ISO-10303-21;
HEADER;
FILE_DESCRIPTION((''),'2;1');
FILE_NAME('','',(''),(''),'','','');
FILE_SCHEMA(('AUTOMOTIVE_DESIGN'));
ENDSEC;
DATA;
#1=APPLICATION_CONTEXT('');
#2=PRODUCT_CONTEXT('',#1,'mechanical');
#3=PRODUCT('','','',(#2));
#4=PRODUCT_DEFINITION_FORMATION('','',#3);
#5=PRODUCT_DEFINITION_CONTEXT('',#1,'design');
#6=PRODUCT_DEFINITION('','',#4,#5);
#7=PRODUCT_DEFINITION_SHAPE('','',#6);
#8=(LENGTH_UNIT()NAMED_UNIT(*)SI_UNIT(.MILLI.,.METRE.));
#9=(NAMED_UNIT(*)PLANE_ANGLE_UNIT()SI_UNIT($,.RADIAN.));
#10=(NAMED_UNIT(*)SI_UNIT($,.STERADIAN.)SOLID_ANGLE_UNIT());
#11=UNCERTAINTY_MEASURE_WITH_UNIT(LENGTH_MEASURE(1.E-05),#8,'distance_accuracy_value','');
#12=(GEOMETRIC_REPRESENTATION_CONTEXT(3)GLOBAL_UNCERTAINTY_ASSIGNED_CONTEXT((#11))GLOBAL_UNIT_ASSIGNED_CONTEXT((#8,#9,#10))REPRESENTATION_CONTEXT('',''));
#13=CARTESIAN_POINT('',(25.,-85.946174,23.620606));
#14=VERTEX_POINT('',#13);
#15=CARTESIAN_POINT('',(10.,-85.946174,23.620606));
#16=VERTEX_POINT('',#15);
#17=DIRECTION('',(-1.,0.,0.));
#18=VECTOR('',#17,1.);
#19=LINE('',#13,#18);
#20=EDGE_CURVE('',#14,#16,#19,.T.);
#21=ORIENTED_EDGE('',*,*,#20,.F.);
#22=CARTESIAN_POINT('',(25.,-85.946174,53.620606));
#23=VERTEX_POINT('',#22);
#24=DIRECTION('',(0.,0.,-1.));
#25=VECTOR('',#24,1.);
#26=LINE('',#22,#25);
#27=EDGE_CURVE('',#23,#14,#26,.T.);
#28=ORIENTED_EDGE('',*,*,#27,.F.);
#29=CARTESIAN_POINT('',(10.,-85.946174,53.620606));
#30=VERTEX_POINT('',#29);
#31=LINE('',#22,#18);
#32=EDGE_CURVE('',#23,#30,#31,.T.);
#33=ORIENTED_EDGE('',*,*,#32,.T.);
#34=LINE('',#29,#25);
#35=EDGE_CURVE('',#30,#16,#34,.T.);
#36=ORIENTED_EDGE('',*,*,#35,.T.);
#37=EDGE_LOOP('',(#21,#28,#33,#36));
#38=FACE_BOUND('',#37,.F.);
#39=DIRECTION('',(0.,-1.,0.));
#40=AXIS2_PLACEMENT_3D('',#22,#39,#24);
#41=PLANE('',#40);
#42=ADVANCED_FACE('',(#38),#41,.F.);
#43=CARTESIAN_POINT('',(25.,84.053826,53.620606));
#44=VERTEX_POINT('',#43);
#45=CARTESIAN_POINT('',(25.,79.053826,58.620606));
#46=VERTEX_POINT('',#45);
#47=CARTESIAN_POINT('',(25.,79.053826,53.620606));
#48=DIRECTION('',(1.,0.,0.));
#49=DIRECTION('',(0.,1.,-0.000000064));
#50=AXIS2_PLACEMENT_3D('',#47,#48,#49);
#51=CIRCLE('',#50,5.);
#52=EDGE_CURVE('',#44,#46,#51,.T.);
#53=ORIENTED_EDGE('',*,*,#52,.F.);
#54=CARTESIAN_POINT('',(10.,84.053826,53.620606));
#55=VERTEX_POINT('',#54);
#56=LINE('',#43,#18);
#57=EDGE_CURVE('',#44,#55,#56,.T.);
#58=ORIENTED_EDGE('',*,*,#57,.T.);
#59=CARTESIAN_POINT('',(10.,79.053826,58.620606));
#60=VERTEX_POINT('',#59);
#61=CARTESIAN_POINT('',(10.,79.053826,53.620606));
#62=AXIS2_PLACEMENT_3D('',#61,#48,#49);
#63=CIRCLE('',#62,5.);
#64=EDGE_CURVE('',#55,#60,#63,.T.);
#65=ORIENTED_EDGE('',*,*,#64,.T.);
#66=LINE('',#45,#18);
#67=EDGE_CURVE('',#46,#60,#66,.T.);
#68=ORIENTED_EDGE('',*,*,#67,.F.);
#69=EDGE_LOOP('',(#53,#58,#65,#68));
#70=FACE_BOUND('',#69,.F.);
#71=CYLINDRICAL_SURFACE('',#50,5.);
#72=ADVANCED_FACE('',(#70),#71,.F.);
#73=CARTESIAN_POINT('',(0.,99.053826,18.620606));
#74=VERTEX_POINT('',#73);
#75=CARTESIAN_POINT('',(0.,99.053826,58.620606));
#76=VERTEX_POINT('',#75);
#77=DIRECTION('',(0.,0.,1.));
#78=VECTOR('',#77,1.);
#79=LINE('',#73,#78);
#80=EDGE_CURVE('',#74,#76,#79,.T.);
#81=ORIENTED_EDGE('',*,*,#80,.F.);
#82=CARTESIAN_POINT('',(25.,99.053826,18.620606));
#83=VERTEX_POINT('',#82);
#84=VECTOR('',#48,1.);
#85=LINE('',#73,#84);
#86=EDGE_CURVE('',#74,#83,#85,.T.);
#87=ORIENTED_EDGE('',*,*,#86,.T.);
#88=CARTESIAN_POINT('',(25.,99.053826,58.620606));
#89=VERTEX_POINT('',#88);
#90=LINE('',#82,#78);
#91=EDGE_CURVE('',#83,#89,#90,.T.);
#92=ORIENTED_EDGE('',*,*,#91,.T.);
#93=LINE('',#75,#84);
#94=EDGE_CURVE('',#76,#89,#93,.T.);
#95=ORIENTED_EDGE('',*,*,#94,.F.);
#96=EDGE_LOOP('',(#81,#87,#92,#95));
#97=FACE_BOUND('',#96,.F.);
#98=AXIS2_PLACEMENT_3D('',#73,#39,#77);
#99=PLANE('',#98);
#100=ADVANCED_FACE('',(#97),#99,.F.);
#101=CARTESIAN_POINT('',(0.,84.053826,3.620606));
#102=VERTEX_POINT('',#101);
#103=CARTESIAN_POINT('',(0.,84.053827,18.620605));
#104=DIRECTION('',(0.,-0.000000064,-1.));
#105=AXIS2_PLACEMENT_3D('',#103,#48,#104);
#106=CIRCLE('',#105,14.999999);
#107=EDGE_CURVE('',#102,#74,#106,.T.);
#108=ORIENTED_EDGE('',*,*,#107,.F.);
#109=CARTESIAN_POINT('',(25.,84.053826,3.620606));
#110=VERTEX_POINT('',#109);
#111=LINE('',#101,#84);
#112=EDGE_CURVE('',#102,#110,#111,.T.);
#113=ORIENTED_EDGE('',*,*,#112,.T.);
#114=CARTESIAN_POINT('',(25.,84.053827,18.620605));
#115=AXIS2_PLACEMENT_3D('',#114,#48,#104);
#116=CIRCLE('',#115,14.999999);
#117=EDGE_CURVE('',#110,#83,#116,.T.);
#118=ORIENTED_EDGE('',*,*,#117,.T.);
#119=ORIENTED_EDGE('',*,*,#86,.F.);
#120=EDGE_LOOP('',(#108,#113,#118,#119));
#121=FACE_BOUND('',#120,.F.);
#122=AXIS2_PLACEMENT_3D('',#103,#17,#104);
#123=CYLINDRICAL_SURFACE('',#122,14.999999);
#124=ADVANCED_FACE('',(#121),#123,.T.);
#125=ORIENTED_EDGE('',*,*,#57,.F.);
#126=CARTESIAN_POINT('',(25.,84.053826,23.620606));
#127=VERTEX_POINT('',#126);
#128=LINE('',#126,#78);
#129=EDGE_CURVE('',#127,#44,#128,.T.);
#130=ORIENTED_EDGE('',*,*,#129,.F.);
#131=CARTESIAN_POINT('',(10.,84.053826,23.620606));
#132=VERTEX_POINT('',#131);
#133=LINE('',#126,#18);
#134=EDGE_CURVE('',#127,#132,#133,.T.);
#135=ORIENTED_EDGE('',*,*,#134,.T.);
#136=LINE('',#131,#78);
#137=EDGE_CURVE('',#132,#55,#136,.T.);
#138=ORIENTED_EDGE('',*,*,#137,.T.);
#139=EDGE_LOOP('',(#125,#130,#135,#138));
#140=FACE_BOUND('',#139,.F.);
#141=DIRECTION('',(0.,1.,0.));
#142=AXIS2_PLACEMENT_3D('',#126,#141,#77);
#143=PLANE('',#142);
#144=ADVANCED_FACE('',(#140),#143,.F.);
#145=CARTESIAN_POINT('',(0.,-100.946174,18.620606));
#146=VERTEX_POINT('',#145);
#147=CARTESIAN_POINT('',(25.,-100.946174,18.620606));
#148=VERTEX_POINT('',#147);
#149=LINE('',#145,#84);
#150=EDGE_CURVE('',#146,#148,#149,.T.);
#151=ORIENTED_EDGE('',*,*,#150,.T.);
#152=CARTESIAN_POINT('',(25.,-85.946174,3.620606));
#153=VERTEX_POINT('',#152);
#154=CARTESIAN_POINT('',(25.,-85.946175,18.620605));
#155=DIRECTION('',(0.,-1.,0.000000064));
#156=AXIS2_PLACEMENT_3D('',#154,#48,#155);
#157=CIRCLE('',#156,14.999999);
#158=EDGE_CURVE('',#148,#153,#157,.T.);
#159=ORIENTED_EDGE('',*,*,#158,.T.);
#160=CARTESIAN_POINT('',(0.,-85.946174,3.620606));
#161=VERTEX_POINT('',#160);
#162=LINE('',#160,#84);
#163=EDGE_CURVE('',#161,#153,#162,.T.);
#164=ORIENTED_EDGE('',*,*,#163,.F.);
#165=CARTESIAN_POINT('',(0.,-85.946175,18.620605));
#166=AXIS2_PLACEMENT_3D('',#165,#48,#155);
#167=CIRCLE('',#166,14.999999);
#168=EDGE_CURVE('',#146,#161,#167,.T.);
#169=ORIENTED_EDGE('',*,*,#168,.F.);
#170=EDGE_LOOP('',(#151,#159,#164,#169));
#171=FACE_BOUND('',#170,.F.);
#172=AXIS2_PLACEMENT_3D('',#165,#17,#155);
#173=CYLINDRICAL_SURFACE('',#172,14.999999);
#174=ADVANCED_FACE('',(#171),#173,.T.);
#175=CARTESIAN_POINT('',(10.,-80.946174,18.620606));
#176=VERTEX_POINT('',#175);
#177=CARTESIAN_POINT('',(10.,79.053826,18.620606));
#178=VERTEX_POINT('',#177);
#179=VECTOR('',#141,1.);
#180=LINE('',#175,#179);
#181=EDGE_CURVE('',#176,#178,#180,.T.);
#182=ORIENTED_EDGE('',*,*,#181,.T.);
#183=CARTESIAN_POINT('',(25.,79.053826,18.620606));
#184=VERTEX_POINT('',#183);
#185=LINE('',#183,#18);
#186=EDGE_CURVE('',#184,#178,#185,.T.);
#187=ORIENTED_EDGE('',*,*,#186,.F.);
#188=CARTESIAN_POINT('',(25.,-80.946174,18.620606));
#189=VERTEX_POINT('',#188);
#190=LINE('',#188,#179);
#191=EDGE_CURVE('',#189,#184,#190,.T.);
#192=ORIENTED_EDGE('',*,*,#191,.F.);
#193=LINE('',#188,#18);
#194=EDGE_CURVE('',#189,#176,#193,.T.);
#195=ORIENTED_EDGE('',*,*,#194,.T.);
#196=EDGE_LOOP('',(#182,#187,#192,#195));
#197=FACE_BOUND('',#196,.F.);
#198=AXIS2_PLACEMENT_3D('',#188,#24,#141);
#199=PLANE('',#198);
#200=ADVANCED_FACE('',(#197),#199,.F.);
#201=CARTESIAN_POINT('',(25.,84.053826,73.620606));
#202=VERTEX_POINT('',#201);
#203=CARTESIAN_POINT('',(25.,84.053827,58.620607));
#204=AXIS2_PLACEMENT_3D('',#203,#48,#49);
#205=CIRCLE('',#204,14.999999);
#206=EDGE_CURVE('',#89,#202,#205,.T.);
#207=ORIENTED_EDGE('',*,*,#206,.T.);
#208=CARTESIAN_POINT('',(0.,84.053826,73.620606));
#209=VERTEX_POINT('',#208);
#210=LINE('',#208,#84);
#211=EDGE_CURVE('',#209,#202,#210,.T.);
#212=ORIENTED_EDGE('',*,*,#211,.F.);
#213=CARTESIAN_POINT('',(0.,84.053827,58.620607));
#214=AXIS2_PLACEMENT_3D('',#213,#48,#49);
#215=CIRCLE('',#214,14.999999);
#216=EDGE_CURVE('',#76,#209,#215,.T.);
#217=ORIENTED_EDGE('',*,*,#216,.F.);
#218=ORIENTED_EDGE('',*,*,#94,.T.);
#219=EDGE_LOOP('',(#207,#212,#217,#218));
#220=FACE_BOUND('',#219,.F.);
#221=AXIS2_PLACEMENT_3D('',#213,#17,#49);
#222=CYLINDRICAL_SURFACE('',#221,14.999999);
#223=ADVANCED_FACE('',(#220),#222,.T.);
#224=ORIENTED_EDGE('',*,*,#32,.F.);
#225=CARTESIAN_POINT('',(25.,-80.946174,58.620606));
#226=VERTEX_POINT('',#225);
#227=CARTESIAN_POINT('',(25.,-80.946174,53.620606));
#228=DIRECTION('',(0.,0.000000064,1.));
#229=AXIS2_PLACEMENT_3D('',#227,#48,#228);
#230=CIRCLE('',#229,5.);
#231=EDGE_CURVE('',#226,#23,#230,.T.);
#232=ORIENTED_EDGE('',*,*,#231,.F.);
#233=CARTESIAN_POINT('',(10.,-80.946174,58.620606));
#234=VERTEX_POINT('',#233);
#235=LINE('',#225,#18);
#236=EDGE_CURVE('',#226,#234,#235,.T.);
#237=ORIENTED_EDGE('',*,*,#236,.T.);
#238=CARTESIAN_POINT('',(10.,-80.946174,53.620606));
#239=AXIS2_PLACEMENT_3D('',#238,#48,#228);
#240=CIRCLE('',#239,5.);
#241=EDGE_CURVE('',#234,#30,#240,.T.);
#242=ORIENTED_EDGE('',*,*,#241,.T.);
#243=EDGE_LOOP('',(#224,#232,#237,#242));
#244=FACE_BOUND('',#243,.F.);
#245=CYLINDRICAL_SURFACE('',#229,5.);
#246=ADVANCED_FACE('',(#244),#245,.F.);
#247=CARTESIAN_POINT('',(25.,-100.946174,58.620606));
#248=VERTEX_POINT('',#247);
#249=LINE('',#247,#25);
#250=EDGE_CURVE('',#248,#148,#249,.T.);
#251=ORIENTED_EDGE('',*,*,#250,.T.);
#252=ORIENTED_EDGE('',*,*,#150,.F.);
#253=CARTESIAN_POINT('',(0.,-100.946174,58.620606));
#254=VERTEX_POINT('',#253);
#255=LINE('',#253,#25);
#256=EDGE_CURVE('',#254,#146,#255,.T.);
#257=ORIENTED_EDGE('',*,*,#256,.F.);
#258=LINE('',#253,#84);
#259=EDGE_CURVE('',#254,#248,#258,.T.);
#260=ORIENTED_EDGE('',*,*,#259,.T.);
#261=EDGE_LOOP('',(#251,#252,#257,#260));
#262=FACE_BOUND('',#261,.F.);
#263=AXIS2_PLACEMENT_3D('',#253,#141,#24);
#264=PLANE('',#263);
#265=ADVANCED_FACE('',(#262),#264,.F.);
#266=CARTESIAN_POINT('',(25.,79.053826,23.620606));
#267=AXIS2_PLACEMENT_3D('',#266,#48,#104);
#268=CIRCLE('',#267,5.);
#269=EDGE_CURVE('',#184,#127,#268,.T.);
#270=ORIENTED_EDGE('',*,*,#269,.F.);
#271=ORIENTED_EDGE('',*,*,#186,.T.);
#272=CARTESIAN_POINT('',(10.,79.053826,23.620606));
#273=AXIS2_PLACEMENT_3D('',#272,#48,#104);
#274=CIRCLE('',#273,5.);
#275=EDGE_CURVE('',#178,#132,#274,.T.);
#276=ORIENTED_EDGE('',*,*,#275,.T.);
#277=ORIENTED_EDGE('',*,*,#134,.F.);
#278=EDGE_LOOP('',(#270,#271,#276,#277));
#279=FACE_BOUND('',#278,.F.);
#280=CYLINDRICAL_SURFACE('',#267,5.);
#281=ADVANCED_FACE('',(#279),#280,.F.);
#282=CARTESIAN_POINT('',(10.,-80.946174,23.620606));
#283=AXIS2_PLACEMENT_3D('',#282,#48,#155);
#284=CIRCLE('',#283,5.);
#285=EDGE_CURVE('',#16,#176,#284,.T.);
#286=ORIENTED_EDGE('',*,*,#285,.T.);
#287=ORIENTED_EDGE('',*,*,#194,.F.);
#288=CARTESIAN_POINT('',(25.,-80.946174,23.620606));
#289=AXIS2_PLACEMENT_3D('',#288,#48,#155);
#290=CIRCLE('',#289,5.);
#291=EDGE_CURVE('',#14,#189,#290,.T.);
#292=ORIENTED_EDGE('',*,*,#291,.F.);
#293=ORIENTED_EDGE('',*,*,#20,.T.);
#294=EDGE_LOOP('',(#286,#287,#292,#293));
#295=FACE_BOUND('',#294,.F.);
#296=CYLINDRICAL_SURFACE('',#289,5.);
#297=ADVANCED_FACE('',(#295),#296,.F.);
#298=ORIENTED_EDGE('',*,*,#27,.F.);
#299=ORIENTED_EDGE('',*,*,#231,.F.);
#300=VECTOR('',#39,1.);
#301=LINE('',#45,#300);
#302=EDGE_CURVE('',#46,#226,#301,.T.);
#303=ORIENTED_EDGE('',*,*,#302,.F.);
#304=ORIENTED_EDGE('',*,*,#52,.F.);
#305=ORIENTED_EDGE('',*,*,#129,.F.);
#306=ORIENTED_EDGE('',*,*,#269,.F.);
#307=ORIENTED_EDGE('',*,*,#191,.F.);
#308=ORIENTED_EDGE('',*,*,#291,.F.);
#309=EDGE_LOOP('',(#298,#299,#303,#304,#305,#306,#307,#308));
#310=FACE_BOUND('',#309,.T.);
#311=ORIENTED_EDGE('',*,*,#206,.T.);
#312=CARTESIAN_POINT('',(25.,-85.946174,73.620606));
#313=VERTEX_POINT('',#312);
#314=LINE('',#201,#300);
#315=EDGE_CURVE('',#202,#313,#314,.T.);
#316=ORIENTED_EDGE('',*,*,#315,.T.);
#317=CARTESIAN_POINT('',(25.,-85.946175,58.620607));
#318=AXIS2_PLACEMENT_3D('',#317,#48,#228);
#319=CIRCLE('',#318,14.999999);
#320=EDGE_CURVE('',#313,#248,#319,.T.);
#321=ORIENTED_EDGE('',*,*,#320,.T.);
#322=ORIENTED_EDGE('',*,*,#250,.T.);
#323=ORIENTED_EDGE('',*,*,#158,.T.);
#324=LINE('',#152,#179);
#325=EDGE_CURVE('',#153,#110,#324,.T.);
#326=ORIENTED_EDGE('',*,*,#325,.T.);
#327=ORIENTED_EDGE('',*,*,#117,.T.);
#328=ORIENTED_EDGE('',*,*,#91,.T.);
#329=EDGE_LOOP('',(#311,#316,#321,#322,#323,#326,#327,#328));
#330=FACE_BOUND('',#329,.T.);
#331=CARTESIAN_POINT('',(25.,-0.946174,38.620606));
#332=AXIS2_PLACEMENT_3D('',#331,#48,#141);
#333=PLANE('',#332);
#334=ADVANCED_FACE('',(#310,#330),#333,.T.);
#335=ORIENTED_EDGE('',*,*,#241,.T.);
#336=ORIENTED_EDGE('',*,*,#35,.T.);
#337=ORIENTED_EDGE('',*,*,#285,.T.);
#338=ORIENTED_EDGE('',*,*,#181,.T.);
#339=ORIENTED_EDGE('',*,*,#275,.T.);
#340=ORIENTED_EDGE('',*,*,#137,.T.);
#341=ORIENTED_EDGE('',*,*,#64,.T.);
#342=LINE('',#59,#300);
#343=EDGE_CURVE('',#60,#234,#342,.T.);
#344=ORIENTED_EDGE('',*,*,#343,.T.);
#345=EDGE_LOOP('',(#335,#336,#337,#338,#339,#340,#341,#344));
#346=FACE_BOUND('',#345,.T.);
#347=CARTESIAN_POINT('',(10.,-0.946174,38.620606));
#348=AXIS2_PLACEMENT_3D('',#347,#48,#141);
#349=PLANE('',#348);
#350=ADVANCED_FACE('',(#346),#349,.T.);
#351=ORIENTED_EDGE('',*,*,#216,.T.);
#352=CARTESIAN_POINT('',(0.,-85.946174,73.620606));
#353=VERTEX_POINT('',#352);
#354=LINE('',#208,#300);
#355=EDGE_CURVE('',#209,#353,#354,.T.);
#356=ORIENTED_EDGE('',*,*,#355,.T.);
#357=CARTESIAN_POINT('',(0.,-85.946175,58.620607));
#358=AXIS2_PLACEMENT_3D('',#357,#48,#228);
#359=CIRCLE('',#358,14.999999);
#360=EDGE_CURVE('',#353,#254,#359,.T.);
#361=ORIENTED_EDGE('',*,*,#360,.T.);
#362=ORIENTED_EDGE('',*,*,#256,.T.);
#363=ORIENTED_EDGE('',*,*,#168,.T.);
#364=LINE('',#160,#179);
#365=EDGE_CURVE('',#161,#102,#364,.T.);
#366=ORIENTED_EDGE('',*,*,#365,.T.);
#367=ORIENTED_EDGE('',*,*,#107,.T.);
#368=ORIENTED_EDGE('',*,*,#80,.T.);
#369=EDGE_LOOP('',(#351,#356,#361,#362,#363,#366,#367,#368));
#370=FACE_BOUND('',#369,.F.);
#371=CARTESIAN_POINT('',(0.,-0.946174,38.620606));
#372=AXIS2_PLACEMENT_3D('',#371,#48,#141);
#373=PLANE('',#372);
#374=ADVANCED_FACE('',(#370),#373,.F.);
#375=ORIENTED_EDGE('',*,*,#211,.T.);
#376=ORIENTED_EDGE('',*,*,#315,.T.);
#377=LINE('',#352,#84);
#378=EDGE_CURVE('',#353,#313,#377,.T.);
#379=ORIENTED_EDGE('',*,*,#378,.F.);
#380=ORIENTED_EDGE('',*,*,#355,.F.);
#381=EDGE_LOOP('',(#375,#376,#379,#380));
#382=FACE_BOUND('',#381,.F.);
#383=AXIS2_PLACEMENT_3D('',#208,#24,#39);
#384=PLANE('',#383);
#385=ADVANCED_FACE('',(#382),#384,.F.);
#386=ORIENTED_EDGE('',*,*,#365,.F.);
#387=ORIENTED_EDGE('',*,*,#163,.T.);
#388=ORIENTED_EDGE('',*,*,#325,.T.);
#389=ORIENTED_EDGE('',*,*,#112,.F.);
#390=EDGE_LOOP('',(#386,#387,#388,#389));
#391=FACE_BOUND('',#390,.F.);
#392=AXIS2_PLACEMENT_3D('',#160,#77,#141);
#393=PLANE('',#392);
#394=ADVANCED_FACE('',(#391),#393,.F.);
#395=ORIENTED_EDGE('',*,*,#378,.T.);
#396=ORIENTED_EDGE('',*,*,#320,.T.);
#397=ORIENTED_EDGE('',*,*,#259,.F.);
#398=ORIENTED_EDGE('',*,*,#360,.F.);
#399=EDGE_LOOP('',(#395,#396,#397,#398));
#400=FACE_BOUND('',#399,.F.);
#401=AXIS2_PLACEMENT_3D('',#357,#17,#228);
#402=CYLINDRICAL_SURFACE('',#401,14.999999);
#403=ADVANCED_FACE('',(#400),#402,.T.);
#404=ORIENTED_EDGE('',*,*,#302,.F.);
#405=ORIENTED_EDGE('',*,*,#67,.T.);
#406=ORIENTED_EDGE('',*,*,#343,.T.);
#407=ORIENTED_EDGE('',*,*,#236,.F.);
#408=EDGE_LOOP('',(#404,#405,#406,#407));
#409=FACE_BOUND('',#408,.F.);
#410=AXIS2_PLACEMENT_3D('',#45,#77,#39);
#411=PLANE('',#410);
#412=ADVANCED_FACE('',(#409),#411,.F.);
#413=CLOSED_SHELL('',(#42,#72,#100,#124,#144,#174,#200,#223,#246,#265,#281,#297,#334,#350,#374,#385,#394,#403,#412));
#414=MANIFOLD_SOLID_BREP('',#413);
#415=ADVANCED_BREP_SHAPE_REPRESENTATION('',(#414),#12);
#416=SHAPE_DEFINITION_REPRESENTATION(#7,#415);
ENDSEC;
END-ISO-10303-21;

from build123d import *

# Parameters (mm, degrees)
F1_DEPTH = 25
F3_DEPTH = 15


with BuildPart() as f1:
    # F0 (on Right) → F1 (new body)
    with BuildSketch(Plane.YZ):
        with BuildLine():
            Line((84.053826, 73.620606), (-85.946174, 73.620606))
            ThreePointArc((-85.946174, 73.620606), (-96.552776, 69.227208), (-100.946174, 58.620606))
            Line((-100.946174, 58.620606), (-100.946174, 18.620606))
            ThreePointArc((-100.946174, 18.620606), (-96.552776, 8.014004), (-85.946174, 3.620606))
            Line((-85.946174, 3.620606), (84.053826, 3.620606))
            ThreePointArc((84.053826, 3.620606), (94.660428, 8.014004), (99.053826, 18.620606))
            Line((99.053826, 18.620606), (99.053826, 58.620606))
            ThreePointArc((99.053826, 58.620606), (94.660428, 69.227208), (84.053826, 73.620606))
        make_face()
    extrude(amount=F1_DEPTH)

    # F2 (on face) → F3 (cut)
    with BuildSketch(Plane.YZ.offset(25)):
        with BuildLine():
            Line((79.053826, 58.620606), (-80.946174, 58.620606))
            ThreePointArc((-80.946174, 58.620606), (-84.481708, 57.15614), (-85.946174, 53.620606))
            Line((-85.946174, 53.620606), (-85.946174, 23.620606))
            ThreePointArc((-85.946174, 23.620606), (-84.481708, 20.085072), (-80.946174, 18.620606))
            Line((-80.946174, 18.620606), (79.053826, 18.620606))
            ThreePointArc((79.053826, 18.620606), (82.58936, 20.085072), (84.053826, 23.620606))
            Line((84.053826, 23.620606), (84.053826, 53.620606))
            ThreePointArc((84.053826, 53.620606), (82.58936, 57.15614), (79.053826, 58.620606))
        make_face()
    extrude(amount=-F3_DEPTH, mode=Mode.SUBTRACT)


solid = f1.part
